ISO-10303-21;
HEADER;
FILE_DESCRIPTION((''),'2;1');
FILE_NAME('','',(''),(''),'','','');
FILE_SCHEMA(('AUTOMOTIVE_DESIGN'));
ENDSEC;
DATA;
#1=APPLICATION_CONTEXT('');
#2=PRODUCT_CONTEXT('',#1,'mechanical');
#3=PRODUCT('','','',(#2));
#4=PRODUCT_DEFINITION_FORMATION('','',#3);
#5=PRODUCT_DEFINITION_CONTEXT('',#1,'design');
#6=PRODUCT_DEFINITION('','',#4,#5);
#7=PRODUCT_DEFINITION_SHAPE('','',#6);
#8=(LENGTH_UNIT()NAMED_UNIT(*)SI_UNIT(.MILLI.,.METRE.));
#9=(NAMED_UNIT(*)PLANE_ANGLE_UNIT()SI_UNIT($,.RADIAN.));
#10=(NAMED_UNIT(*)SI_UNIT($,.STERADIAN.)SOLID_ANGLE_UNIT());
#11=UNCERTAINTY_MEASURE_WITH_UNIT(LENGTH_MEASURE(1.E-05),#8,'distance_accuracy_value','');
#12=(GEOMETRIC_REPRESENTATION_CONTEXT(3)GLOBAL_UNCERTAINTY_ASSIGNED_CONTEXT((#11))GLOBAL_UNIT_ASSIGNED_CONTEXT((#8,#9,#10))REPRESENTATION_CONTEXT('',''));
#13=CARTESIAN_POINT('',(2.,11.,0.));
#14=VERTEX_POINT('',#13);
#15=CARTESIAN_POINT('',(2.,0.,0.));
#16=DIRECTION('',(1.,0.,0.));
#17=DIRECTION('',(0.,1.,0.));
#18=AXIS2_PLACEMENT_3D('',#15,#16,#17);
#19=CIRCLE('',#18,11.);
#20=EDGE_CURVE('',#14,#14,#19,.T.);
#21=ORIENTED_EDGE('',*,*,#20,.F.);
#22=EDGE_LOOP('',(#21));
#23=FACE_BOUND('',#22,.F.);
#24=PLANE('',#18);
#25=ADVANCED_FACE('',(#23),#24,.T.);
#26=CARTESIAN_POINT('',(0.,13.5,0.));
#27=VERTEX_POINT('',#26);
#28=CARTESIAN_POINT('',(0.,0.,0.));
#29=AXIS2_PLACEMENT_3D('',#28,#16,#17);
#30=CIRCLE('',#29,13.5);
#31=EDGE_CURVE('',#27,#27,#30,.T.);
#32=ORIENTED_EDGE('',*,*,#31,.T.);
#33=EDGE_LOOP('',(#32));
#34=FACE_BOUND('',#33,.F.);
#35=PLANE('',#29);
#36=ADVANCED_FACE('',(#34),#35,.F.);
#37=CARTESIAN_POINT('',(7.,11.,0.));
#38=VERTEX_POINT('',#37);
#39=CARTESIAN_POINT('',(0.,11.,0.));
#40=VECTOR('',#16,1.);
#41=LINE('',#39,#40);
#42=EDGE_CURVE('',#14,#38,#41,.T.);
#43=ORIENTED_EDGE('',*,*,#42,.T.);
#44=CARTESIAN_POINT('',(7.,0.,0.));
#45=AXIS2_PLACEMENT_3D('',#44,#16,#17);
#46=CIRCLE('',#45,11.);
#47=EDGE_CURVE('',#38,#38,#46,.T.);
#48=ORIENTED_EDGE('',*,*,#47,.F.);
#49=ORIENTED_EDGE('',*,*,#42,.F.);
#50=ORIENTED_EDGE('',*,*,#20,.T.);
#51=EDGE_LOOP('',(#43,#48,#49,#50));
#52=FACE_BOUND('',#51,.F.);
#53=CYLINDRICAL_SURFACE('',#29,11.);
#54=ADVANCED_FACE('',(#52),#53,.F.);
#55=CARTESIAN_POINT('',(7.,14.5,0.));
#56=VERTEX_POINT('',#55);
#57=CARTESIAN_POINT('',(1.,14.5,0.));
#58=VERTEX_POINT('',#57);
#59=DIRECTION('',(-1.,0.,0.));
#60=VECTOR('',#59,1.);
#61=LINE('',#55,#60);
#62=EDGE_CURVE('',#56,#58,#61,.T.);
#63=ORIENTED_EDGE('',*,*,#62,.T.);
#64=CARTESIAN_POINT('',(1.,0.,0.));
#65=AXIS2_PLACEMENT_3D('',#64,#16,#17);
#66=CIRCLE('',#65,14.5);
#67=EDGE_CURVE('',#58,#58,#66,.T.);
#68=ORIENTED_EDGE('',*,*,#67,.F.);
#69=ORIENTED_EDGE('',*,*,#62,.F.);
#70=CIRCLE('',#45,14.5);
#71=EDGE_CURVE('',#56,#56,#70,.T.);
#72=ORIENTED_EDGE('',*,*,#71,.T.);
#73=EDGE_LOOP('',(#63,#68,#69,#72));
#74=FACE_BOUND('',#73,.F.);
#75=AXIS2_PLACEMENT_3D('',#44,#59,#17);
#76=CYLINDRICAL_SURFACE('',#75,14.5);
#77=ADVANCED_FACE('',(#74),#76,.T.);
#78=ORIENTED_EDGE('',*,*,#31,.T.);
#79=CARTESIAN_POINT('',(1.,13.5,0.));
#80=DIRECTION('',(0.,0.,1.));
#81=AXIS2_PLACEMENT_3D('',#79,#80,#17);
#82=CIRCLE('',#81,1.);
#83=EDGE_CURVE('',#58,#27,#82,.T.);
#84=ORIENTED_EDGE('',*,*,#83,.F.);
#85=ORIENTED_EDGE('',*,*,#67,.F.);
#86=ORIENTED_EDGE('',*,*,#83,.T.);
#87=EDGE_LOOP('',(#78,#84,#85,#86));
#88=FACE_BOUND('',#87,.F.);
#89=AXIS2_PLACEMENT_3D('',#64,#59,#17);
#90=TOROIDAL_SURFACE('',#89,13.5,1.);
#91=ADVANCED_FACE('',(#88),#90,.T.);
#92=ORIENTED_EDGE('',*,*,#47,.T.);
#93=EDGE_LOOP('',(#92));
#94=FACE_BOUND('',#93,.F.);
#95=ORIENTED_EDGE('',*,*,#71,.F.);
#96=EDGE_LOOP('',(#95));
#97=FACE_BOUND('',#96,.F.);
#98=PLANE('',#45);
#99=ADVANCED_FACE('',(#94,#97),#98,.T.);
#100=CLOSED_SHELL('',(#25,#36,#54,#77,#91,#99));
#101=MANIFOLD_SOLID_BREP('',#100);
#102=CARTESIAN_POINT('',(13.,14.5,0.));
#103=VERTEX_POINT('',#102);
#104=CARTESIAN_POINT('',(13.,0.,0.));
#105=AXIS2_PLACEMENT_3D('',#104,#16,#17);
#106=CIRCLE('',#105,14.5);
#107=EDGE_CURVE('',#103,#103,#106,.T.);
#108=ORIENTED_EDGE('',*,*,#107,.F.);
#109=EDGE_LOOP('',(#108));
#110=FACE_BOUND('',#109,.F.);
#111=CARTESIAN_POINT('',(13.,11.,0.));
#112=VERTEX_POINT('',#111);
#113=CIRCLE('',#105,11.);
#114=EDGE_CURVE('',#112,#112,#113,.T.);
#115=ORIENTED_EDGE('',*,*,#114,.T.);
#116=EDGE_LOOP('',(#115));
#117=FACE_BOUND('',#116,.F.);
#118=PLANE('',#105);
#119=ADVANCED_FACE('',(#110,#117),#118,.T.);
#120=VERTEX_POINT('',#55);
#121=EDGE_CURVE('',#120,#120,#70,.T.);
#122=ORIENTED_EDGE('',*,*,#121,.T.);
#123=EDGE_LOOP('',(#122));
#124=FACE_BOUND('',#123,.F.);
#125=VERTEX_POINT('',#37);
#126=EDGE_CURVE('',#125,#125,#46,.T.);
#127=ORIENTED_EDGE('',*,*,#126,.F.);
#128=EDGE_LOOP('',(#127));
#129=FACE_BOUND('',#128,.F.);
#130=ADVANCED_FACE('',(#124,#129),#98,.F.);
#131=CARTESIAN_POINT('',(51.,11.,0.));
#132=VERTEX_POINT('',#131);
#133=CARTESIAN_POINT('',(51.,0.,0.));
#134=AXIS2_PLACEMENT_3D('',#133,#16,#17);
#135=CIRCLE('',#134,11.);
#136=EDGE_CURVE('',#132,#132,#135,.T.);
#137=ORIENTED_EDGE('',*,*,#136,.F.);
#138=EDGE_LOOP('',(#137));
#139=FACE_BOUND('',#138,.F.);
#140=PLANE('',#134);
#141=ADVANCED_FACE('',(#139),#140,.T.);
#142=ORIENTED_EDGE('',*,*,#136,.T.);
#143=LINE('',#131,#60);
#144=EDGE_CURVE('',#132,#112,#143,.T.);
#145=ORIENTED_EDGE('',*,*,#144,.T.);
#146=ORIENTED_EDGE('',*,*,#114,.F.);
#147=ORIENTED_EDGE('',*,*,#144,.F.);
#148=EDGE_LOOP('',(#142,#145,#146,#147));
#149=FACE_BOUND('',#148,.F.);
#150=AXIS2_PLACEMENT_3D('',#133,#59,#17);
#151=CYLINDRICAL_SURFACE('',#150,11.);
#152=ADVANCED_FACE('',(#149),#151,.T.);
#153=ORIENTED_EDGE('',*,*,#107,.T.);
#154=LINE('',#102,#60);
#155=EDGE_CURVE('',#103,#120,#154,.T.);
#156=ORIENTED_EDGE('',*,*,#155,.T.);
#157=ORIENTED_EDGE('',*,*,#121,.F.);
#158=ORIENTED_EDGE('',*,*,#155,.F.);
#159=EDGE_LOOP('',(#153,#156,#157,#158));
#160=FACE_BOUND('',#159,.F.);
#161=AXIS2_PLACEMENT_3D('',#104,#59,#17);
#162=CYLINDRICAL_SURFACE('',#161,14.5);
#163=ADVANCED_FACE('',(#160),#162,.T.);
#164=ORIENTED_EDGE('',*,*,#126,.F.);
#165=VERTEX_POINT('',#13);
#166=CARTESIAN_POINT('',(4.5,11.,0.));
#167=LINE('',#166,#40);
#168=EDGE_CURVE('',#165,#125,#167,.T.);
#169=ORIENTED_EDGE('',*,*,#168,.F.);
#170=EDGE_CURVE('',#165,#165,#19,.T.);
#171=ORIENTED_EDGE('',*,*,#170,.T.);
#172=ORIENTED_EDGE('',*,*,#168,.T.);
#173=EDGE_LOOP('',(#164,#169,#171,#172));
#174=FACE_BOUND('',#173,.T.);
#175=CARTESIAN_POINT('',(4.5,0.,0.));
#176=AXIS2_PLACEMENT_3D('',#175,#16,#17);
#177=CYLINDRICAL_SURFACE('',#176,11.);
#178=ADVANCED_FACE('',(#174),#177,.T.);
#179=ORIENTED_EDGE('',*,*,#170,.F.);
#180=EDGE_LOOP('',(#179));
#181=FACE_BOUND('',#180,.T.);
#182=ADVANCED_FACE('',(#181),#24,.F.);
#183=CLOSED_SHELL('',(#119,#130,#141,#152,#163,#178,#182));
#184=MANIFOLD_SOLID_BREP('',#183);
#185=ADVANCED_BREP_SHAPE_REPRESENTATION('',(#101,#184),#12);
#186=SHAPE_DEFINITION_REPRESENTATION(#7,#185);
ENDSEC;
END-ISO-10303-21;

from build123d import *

# Parameters (mm, degrees)
F0_W   = 5
F0_H   = 11
F0_W_2 = 2
F3_R   = 1


with BuildPart() as f1:
    # F0 (on Top) → F1 (revolve)
    with BuildSketch(Plane.XY):
        with Locations((4.5, 5.5)):
            Rectangle(F0_W, F0_H)
        Polygon((7, 0), (51, 0), (51, 11), (13, 11), (13, 14.5), (7, 14.5), (7, 11), align=None)
    revolve(axis=Axis((29, 0, 0), (1, 0, 0)))


with BuildPart() as f2:
    # F0 (on Top) → F2 (revolve)
    with BuildSketch(Plane.XY):
        Polygon((2, 11), (7, 11), (7, 14.5), (0, 14.5), (0, 11), align=None)
        with Locations((1, 5.5)):
            Rectangle(F0_W_2, F0_H)
    revolve(axis=Axis((3.5, 0, 0), (1, 0, 0)))

    # F3
    f3_edges = [f2.edges().sort_by_distance(p)[0] for p in [
        (0, -14.5, 0),
    ]]
    fillet(f3_edges, radius=F3_R)


solid = Compound([f1.part, f2.part])
